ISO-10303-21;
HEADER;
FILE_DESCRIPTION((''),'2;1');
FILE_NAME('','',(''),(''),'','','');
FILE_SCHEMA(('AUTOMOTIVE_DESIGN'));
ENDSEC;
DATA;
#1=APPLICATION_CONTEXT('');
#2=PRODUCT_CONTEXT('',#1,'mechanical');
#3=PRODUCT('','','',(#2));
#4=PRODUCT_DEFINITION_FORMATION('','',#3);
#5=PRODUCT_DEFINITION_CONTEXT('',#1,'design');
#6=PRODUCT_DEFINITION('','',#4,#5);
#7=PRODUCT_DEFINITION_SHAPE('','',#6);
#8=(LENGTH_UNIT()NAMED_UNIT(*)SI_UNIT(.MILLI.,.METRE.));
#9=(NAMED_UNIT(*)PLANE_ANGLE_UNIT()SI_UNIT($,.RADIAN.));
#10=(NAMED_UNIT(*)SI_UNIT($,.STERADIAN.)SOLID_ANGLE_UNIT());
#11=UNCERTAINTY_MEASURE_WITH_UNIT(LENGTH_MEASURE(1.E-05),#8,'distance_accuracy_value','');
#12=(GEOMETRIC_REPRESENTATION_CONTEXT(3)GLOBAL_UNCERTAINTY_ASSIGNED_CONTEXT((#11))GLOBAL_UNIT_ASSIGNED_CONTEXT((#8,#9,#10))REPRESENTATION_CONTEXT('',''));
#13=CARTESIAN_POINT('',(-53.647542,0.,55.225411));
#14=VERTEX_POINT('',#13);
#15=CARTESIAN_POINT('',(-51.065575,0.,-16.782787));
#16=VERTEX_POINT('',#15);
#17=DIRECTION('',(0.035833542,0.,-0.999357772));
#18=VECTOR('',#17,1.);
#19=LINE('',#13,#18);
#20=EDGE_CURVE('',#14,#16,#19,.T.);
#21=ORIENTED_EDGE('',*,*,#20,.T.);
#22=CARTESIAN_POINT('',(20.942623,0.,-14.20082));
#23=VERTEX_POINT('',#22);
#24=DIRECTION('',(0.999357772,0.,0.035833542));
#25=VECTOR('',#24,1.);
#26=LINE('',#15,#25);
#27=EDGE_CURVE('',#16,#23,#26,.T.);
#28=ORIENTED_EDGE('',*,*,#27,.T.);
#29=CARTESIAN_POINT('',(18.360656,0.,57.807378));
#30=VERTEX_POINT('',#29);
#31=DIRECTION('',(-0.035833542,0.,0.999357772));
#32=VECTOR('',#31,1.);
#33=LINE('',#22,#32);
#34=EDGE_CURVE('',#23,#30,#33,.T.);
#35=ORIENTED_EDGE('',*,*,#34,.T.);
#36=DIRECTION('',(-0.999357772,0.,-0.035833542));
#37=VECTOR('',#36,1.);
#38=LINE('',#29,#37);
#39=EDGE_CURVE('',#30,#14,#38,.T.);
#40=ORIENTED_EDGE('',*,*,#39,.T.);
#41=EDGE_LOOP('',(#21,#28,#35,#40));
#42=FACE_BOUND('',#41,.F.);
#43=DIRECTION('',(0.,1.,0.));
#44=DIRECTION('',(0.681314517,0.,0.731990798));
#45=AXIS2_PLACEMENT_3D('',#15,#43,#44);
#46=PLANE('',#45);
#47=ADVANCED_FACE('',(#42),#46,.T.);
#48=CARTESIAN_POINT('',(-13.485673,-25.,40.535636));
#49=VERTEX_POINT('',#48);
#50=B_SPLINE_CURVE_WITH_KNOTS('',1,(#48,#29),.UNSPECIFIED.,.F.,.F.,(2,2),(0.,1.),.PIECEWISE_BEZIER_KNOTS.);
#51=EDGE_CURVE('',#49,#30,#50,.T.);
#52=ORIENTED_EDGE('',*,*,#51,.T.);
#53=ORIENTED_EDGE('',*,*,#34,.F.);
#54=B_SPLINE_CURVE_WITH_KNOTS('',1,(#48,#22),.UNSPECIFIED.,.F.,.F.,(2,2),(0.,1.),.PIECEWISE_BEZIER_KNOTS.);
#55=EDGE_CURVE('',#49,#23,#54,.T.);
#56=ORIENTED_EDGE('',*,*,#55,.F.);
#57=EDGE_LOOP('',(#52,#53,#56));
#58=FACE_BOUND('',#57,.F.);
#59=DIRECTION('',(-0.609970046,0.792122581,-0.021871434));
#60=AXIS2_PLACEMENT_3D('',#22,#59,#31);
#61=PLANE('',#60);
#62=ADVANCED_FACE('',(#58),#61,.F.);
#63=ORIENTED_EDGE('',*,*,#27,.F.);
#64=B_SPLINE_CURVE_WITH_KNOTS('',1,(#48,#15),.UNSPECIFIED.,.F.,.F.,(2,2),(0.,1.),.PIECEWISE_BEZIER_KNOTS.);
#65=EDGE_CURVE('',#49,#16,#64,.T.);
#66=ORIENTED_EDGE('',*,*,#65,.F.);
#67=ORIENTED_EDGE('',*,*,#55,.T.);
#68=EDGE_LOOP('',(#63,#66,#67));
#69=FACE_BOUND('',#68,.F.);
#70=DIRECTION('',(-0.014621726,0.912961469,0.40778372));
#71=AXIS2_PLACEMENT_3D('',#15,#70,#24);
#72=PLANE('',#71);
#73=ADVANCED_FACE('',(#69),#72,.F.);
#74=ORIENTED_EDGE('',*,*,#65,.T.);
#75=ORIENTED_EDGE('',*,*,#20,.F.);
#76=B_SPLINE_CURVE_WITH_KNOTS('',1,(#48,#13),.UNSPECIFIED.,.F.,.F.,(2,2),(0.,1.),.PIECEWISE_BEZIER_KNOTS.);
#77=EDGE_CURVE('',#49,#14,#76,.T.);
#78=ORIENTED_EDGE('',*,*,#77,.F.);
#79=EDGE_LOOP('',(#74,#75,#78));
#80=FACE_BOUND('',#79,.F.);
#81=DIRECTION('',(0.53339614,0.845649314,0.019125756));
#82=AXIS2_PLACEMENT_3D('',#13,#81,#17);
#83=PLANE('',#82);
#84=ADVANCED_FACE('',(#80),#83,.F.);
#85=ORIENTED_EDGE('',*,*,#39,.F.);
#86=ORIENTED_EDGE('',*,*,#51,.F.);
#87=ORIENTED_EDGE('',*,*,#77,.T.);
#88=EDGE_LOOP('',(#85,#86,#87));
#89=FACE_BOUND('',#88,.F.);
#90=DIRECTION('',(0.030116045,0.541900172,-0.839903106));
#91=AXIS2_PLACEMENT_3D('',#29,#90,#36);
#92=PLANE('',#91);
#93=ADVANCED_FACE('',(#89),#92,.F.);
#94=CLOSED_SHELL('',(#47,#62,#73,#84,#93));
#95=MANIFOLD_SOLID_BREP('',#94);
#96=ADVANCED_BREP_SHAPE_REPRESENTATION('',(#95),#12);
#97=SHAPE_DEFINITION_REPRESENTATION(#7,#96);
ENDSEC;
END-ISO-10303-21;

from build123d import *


with BuildPart() as f3:
    # F0 (on Front) → F3 section 0
    with BuildSketch(Plane.XZ, mode=Mode.PRIVATE) as f3_s0:
        Polygon((-51.065575, -16.782787), (20.942623, -14.20082), (18.360656, 57.807378), (-53.647542, 55.225411), align=None)
    loft([Vertex(-13.485673, -25, 40.535636), f3_s0.sketch])


solid = f3.part
